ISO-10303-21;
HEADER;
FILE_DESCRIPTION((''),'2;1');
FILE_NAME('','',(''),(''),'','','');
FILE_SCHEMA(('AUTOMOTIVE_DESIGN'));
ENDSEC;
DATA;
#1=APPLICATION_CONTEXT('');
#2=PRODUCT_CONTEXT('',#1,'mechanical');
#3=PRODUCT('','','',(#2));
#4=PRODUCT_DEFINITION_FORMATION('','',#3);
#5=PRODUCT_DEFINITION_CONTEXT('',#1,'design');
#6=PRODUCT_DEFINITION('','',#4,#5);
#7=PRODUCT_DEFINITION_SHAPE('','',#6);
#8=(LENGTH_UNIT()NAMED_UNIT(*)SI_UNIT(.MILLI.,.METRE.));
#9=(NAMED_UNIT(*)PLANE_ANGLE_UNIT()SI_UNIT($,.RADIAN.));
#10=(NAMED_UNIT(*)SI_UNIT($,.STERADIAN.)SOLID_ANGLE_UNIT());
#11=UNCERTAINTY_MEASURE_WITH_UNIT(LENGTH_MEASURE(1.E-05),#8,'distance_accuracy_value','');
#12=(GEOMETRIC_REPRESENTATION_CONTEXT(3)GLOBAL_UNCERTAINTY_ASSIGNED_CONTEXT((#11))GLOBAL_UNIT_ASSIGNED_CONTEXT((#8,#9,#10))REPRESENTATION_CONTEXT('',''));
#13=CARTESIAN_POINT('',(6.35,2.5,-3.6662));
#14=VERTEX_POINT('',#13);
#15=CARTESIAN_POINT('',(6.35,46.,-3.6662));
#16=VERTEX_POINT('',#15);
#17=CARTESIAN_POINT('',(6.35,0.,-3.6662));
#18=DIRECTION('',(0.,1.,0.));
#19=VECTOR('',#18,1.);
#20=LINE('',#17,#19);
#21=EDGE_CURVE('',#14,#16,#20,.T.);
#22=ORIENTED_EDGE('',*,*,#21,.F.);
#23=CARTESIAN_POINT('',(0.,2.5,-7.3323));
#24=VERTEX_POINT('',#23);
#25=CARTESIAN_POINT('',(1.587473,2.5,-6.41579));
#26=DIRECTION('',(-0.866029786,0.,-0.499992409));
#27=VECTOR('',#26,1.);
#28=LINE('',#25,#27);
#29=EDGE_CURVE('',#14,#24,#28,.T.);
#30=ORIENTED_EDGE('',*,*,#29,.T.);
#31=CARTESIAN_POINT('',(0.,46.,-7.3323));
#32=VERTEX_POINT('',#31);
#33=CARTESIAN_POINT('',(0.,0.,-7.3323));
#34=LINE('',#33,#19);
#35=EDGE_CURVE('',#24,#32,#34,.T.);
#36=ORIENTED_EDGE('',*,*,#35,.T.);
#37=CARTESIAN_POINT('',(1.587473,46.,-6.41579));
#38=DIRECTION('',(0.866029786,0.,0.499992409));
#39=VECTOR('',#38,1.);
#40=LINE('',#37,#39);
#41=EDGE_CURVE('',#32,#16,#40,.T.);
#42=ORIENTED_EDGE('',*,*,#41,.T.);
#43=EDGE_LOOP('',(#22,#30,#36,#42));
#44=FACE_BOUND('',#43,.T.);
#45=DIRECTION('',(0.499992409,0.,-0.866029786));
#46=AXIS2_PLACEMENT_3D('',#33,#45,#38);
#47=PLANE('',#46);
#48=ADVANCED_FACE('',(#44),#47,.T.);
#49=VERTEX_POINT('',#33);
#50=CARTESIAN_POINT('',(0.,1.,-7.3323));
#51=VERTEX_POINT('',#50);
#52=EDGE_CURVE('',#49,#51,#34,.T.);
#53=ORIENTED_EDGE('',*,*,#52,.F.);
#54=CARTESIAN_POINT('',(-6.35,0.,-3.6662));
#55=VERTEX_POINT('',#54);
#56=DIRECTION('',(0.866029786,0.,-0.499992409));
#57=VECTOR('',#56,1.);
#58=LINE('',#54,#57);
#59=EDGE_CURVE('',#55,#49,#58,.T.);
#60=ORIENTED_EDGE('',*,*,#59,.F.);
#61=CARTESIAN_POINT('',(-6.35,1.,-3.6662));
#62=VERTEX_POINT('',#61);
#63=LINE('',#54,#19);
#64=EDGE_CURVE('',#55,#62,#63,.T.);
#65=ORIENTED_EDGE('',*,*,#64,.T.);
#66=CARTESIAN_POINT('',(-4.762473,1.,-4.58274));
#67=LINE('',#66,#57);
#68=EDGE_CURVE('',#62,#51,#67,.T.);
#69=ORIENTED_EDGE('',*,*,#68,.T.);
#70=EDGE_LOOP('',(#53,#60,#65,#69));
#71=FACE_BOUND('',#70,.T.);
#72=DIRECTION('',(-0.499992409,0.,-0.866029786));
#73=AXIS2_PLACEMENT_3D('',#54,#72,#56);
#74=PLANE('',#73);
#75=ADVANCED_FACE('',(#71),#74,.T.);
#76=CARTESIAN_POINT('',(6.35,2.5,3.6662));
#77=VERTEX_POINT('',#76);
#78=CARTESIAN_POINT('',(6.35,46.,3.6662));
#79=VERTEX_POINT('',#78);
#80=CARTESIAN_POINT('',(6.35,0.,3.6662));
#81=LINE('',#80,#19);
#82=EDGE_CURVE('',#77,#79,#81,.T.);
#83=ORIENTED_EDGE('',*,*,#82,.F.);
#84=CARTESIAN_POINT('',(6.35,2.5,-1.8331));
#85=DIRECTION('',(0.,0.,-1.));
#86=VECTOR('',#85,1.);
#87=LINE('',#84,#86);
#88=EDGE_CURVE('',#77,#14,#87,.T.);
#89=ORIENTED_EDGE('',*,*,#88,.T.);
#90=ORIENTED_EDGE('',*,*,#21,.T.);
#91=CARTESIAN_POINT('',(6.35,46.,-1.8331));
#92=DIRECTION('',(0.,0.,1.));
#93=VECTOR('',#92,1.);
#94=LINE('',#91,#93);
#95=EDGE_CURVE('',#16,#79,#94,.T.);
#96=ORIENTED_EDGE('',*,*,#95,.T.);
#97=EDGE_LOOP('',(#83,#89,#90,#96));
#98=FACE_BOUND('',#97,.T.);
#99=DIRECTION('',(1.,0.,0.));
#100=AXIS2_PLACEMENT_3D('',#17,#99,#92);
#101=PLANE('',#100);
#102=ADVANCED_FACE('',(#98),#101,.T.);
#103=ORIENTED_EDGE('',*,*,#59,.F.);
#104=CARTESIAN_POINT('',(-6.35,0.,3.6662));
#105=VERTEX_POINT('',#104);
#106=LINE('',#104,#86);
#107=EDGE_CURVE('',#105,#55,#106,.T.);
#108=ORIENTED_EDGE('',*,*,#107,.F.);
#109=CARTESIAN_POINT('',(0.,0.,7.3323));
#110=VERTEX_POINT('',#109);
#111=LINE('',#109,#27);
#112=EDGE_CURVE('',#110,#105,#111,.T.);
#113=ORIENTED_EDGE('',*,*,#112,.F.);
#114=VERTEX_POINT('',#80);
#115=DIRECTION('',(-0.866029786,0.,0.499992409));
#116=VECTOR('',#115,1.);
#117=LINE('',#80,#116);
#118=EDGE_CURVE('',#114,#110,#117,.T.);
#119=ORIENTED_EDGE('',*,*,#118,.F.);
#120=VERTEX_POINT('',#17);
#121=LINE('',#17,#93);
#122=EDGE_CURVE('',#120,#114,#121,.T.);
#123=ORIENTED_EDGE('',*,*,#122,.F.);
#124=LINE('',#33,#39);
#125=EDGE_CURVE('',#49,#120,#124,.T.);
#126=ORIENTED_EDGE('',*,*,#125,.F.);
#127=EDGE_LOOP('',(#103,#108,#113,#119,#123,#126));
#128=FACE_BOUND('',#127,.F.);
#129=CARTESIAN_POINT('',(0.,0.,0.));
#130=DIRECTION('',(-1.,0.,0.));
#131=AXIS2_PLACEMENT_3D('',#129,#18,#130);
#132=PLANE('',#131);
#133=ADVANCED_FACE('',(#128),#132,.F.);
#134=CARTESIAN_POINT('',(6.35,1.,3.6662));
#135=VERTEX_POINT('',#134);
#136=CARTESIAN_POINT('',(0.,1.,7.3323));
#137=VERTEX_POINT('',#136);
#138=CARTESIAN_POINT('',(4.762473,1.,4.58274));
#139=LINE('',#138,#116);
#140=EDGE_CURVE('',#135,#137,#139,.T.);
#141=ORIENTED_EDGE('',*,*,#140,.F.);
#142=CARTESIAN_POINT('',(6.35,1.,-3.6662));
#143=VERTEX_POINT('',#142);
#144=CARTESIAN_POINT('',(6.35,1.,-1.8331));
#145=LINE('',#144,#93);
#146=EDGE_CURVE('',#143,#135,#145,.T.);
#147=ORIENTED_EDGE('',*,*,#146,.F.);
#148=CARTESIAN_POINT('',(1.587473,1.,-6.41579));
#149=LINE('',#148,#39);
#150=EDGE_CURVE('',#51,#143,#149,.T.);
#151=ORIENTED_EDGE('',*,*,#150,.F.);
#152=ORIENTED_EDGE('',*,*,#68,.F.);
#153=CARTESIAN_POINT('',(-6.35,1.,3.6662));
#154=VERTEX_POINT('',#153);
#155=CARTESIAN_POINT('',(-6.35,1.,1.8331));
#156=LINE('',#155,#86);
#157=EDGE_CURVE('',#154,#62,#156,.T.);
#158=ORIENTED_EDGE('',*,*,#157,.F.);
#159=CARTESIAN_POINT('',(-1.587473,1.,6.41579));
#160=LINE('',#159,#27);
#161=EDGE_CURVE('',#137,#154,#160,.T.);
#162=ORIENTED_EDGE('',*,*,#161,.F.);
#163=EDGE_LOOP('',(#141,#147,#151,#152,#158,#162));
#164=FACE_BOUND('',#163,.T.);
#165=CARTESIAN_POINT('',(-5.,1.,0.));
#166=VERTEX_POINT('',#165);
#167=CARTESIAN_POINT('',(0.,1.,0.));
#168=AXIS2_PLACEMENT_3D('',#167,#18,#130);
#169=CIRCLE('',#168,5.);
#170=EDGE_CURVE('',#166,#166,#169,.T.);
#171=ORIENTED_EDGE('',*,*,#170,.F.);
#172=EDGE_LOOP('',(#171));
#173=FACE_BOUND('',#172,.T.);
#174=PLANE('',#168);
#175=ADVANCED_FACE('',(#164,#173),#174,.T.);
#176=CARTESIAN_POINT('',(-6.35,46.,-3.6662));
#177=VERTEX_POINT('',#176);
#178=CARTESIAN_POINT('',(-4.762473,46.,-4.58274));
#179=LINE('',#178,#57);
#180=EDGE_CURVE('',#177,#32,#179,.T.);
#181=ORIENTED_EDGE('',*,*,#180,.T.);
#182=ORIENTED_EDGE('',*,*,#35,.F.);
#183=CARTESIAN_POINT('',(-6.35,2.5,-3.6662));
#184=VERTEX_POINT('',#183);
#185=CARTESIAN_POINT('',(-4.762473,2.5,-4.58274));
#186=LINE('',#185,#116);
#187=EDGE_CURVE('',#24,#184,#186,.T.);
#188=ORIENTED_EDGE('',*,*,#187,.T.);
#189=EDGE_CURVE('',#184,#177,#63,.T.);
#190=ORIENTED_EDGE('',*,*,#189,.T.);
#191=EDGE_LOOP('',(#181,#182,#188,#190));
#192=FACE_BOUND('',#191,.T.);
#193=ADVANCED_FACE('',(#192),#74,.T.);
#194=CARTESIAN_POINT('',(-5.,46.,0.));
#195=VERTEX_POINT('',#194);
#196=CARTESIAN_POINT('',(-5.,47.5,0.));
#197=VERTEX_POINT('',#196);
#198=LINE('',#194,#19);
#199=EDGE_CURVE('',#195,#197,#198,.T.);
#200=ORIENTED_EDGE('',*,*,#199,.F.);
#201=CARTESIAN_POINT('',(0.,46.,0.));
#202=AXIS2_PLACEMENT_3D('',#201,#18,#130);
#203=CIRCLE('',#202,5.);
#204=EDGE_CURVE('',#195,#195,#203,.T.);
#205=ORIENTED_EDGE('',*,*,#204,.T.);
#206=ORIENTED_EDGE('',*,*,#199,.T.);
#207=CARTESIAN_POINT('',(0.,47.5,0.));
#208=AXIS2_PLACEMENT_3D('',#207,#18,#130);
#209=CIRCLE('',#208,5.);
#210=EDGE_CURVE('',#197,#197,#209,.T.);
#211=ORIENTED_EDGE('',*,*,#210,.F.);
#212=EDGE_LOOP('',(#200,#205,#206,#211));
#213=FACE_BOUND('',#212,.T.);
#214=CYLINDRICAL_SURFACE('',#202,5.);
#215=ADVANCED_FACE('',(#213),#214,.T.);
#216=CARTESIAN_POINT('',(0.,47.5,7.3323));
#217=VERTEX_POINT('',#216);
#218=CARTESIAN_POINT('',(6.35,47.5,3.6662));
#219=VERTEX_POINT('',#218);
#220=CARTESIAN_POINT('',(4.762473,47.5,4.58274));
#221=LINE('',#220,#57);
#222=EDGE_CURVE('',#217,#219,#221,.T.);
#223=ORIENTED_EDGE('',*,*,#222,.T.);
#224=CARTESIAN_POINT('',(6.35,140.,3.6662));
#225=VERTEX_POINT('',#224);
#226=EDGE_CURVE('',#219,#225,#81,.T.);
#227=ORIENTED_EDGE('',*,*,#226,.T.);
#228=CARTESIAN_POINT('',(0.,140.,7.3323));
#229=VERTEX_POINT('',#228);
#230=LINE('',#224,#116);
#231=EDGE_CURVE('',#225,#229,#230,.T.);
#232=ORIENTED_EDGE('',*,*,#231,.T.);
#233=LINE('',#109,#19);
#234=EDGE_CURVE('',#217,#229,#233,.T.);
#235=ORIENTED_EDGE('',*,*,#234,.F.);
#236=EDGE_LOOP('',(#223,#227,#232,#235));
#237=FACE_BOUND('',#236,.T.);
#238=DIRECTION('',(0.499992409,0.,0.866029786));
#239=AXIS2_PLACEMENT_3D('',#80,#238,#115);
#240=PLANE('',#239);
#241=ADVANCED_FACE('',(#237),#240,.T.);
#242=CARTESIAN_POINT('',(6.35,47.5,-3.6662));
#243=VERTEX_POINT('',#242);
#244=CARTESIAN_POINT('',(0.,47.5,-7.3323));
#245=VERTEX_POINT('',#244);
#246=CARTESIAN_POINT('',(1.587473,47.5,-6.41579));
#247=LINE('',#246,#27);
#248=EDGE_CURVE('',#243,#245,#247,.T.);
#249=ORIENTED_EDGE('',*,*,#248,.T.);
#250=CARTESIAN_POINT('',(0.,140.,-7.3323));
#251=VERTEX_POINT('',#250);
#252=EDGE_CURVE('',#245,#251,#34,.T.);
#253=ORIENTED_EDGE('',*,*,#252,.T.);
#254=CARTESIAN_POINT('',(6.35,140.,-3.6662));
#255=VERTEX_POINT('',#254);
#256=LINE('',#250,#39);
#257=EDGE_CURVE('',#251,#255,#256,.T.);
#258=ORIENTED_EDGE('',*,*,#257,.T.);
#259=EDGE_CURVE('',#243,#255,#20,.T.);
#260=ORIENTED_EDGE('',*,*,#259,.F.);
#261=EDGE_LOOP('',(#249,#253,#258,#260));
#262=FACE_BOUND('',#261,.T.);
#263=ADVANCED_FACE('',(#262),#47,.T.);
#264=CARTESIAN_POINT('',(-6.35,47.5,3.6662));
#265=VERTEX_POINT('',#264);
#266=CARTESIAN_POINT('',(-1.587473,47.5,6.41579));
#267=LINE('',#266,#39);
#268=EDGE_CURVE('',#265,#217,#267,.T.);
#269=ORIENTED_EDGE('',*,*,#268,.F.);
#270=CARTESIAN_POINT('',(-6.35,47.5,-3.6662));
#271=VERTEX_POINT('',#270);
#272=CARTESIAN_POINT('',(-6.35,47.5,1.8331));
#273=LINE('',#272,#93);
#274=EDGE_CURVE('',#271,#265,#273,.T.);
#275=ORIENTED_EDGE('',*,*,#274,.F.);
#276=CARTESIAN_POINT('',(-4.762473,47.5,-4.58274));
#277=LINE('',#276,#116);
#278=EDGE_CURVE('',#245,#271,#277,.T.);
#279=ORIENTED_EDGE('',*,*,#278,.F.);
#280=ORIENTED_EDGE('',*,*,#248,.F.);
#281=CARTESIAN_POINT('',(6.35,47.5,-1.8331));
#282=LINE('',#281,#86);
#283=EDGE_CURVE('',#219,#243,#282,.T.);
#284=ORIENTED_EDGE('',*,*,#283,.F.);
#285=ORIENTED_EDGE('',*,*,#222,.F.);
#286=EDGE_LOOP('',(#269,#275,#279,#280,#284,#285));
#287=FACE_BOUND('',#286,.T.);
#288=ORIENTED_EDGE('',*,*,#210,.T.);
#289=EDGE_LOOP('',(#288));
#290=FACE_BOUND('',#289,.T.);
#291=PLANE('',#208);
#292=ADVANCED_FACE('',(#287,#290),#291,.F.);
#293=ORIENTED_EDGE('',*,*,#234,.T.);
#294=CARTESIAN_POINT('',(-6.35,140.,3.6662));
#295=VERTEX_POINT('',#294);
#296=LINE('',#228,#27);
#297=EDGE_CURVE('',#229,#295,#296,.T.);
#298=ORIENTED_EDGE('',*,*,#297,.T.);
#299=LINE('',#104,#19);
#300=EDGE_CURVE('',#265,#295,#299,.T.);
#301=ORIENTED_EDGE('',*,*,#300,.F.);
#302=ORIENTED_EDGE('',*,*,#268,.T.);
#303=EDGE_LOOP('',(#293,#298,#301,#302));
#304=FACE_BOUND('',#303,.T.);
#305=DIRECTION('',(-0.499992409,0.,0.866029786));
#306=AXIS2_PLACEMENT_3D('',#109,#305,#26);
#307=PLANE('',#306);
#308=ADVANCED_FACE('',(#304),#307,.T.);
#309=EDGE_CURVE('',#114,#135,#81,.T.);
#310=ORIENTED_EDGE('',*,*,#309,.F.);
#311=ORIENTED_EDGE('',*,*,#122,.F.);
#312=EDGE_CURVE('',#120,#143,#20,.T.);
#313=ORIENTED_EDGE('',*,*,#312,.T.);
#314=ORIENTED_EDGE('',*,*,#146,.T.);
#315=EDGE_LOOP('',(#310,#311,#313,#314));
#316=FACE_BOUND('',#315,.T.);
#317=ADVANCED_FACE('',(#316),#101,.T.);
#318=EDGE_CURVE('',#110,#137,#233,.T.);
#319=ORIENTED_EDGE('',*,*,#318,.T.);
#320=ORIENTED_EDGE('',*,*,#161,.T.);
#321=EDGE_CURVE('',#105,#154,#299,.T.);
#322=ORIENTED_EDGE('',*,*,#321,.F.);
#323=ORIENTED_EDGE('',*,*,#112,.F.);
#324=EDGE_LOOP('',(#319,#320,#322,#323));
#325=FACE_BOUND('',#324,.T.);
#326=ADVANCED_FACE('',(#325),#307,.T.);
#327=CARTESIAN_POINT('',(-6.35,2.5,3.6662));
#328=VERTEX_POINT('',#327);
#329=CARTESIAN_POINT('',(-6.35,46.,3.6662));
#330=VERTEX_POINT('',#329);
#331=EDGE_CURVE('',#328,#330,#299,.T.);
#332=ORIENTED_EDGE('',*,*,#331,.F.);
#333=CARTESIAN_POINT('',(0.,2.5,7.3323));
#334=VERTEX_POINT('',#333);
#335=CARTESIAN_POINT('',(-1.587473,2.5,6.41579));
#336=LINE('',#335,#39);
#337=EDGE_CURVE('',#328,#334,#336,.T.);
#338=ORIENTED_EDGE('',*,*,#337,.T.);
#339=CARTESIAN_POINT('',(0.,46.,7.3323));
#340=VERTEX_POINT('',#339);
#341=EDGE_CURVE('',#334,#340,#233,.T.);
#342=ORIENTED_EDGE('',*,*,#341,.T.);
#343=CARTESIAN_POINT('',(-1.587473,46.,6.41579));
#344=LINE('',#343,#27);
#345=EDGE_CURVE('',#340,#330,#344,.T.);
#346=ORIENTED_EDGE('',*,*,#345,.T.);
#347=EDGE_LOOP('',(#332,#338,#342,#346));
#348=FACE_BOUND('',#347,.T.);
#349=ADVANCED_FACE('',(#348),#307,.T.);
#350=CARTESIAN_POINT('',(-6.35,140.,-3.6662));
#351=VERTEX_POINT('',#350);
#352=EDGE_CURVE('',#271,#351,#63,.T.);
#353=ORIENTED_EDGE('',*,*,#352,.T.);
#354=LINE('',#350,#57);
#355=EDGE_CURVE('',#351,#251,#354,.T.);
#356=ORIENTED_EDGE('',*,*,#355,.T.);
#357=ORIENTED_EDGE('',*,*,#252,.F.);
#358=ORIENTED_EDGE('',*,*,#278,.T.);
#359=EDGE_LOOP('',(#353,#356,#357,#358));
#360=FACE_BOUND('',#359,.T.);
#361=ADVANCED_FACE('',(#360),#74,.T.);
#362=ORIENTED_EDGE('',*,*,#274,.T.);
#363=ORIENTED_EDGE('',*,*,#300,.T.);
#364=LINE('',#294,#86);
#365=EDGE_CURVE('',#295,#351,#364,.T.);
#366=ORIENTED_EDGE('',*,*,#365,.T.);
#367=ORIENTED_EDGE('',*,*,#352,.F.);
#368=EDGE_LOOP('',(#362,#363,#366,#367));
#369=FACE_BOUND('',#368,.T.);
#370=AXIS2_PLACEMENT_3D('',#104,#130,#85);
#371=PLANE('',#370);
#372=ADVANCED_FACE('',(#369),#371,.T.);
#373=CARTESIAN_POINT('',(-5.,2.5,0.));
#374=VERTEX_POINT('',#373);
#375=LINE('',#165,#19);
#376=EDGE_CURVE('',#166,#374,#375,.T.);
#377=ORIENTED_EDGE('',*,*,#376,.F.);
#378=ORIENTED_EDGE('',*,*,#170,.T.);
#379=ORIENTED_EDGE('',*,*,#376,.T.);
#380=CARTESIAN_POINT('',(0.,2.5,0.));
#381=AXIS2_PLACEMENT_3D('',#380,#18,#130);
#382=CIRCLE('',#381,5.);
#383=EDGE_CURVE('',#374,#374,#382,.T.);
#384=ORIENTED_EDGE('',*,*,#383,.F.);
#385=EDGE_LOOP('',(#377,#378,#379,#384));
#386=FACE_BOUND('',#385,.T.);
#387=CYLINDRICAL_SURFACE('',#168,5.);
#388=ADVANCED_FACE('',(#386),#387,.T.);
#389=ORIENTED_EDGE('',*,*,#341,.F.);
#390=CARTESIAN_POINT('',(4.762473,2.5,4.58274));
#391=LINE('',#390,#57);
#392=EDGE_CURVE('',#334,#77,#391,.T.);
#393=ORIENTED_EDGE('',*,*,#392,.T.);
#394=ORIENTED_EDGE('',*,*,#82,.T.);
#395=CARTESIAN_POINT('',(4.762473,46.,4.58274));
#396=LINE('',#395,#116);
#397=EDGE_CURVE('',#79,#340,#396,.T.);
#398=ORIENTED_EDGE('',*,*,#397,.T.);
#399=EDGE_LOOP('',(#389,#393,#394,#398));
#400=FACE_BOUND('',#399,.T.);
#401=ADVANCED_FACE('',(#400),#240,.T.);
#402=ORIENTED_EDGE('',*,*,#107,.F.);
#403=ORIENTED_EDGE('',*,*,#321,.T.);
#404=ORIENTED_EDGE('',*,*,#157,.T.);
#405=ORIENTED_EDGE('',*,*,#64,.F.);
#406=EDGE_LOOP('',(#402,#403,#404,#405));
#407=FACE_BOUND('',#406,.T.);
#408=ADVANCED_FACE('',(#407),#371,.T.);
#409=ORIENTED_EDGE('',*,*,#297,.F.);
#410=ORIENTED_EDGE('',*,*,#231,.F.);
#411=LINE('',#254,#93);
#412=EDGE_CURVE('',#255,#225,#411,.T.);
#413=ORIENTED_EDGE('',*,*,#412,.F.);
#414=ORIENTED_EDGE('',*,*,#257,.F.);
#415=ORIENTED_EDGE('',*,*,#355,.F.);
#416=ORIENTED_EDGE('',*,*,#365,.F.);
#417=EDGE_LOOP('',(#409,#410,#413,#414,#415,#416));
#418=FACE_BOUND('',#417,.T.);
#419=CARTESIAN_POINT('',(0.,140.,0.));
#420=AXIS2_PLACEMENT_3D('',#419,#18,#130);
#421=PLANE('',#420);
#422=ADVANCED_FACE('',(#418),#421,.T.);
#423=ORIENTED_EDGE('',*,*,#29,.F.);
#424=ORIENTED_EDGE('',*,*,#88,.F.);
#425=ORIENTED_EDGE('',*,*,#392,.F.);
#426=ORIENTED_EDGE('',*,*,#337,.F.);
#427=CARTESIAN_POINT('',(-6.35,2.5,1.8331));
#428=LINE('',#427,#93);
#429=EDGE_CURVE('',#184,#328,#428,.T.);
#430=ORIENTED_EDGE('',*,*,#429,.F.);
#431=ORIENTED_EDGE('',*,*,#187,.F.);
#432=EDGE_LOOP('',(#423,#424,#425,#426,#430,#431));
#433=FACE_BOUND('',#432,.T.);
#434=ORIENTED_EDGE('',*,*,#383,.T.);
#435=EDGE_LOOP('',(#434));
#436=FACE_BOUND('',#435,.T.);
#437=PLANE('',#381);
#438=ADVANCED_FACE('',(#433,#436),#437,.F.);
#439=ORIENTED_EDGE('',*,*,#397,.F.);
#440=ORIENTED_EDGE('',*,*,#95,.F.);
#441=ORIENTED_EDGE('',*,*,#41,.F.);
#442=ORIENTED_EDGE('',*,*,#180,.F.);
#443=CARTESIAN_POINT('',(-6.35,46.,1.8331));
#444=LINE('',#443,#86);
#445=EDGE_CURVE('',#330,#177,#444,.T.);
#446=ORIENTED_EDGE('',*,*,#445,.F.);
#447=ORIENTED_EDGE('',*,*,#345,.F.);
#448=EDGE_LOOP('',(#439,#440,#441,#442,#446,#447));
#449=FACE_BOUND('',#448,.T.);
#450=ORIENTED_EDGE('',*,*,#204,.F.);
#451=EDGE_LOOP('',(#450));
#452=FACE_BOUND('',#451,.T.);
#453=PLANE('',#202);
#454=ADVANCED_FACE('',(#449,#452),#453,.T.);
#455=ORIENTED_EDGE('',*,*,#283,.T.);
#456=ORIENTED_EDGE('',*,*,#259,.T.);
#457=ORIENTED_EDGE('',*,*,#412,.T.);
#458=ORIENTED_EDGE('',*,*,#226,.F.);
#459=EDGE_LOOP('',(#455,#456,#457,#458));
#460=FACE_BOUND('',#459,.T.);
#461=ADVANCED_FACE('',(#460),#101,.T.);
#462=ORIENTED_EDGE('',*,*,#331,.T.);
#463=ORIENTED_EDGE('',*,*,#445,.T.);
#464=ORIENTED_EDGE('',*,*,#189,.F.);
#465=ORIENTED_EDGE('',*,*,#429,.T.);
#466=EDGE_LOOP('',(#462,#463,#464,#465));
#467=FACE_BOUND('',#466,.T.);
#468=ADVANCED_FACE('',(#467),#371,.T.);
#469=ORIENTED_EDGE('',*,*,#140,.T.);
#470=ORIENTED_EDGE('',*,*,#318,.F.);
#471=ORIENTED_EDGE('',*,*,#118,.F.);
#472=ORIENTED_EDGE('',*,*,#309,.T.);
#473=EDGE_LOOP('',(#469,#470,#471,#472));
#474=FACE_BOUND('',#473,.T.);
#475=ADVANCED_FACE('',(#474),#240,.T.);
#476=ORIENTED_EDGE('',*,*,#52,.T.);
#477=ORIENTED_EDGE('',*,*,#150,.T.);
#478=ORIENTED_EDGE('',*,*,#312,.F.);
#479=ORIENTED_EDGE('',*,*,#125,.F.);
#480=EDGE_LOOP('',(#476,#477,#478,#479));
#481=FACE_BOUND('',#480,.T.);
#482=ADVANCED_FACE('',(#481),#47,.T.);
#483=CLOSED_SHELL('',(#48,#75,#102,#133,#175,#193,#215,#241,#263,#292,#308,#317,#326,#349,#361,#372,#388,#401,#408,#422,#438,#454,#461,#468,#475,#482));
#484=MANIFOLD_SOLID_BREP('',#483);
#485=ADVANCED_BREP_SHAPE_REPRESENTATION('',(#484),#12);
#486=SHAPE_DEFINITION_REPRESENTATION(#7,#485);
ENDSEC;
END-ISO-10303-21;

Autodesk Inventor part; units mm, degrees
ref_plane "YZ Plane" through (0, 0, 0) normal (1, 0, 0) x (0, 1, 0)
ref_plane "XZ Plane" through (0, 0, 0) normal (0, 1, 0) x (-1, 0, 0)
ref_plane "XY Plane" through (0, 0, 0) normal (0, 0, 1) x (1, 0, 0)
sketch "Sketch1" plane through (0, 0, 0) normal (0, 1, 0) x (-1, 0, 0)
  line L0 (6.35, 3.6662) -> (6.35, -3.6662)
  line L1 (6.35, -3.6662) -> (0, -7.3323)
  line L2 (0, -7.3323) -> (-6.35, -3.6662)
  line L3 (-6.35, -3.6662) -> (-6.35, 3.6662)
  line L4 (-6.35, 3.6662) -> (0, 7.3323)
  line L5 (0, 7.3323) -> (6.35, 3.6662)
  point P0 (0, 0)
  point P1 (0, 0)
  dimension "d0" = 12.7
extrude "Extrusion1" add sketch "Sketch1" along normal blind 140
sketch "Sketch2" plane through (0, 0, 0) normal (0, 0, 1) x (1, 0, 0)
  line L0 (-15, 1) -> (-5, 1)
  line L1 (-5, 1) -> (-5, 2.5)
  line L2 (-5, 2.5) -> (-15, 2.5)
  line L3 (-15, 2.5) -> (-15, 1)
  line L4 (0, 0) -> (0, 140) projected
  line L5 (0, 0) -> (6.35, 0) projected
  line L6 (0, -26) -> (0, 156) projected
  line L7 (-15, 46) -> (-5, 46)
  line L8 (-5, 46) -> (-5, 47.5)
  line L9 (-5, 47.5) -> (-15, 47.5)
  line L10 (-15, 47.5) -> (-15, 46)
  point P0 (-15, 46.75)
  dimension "d3" = 1.5
  dimension "d4" = 10
  dimension "d5" = 5
  dimension "d6" = 1
  dimension "d8" = 43.5
revolve "Revolution1" cut sketch "Sketch2" angle 360 about axis through (0, -10, 0) along (0, 1, 0)
properties part number "Wasp Pivot Axle"
